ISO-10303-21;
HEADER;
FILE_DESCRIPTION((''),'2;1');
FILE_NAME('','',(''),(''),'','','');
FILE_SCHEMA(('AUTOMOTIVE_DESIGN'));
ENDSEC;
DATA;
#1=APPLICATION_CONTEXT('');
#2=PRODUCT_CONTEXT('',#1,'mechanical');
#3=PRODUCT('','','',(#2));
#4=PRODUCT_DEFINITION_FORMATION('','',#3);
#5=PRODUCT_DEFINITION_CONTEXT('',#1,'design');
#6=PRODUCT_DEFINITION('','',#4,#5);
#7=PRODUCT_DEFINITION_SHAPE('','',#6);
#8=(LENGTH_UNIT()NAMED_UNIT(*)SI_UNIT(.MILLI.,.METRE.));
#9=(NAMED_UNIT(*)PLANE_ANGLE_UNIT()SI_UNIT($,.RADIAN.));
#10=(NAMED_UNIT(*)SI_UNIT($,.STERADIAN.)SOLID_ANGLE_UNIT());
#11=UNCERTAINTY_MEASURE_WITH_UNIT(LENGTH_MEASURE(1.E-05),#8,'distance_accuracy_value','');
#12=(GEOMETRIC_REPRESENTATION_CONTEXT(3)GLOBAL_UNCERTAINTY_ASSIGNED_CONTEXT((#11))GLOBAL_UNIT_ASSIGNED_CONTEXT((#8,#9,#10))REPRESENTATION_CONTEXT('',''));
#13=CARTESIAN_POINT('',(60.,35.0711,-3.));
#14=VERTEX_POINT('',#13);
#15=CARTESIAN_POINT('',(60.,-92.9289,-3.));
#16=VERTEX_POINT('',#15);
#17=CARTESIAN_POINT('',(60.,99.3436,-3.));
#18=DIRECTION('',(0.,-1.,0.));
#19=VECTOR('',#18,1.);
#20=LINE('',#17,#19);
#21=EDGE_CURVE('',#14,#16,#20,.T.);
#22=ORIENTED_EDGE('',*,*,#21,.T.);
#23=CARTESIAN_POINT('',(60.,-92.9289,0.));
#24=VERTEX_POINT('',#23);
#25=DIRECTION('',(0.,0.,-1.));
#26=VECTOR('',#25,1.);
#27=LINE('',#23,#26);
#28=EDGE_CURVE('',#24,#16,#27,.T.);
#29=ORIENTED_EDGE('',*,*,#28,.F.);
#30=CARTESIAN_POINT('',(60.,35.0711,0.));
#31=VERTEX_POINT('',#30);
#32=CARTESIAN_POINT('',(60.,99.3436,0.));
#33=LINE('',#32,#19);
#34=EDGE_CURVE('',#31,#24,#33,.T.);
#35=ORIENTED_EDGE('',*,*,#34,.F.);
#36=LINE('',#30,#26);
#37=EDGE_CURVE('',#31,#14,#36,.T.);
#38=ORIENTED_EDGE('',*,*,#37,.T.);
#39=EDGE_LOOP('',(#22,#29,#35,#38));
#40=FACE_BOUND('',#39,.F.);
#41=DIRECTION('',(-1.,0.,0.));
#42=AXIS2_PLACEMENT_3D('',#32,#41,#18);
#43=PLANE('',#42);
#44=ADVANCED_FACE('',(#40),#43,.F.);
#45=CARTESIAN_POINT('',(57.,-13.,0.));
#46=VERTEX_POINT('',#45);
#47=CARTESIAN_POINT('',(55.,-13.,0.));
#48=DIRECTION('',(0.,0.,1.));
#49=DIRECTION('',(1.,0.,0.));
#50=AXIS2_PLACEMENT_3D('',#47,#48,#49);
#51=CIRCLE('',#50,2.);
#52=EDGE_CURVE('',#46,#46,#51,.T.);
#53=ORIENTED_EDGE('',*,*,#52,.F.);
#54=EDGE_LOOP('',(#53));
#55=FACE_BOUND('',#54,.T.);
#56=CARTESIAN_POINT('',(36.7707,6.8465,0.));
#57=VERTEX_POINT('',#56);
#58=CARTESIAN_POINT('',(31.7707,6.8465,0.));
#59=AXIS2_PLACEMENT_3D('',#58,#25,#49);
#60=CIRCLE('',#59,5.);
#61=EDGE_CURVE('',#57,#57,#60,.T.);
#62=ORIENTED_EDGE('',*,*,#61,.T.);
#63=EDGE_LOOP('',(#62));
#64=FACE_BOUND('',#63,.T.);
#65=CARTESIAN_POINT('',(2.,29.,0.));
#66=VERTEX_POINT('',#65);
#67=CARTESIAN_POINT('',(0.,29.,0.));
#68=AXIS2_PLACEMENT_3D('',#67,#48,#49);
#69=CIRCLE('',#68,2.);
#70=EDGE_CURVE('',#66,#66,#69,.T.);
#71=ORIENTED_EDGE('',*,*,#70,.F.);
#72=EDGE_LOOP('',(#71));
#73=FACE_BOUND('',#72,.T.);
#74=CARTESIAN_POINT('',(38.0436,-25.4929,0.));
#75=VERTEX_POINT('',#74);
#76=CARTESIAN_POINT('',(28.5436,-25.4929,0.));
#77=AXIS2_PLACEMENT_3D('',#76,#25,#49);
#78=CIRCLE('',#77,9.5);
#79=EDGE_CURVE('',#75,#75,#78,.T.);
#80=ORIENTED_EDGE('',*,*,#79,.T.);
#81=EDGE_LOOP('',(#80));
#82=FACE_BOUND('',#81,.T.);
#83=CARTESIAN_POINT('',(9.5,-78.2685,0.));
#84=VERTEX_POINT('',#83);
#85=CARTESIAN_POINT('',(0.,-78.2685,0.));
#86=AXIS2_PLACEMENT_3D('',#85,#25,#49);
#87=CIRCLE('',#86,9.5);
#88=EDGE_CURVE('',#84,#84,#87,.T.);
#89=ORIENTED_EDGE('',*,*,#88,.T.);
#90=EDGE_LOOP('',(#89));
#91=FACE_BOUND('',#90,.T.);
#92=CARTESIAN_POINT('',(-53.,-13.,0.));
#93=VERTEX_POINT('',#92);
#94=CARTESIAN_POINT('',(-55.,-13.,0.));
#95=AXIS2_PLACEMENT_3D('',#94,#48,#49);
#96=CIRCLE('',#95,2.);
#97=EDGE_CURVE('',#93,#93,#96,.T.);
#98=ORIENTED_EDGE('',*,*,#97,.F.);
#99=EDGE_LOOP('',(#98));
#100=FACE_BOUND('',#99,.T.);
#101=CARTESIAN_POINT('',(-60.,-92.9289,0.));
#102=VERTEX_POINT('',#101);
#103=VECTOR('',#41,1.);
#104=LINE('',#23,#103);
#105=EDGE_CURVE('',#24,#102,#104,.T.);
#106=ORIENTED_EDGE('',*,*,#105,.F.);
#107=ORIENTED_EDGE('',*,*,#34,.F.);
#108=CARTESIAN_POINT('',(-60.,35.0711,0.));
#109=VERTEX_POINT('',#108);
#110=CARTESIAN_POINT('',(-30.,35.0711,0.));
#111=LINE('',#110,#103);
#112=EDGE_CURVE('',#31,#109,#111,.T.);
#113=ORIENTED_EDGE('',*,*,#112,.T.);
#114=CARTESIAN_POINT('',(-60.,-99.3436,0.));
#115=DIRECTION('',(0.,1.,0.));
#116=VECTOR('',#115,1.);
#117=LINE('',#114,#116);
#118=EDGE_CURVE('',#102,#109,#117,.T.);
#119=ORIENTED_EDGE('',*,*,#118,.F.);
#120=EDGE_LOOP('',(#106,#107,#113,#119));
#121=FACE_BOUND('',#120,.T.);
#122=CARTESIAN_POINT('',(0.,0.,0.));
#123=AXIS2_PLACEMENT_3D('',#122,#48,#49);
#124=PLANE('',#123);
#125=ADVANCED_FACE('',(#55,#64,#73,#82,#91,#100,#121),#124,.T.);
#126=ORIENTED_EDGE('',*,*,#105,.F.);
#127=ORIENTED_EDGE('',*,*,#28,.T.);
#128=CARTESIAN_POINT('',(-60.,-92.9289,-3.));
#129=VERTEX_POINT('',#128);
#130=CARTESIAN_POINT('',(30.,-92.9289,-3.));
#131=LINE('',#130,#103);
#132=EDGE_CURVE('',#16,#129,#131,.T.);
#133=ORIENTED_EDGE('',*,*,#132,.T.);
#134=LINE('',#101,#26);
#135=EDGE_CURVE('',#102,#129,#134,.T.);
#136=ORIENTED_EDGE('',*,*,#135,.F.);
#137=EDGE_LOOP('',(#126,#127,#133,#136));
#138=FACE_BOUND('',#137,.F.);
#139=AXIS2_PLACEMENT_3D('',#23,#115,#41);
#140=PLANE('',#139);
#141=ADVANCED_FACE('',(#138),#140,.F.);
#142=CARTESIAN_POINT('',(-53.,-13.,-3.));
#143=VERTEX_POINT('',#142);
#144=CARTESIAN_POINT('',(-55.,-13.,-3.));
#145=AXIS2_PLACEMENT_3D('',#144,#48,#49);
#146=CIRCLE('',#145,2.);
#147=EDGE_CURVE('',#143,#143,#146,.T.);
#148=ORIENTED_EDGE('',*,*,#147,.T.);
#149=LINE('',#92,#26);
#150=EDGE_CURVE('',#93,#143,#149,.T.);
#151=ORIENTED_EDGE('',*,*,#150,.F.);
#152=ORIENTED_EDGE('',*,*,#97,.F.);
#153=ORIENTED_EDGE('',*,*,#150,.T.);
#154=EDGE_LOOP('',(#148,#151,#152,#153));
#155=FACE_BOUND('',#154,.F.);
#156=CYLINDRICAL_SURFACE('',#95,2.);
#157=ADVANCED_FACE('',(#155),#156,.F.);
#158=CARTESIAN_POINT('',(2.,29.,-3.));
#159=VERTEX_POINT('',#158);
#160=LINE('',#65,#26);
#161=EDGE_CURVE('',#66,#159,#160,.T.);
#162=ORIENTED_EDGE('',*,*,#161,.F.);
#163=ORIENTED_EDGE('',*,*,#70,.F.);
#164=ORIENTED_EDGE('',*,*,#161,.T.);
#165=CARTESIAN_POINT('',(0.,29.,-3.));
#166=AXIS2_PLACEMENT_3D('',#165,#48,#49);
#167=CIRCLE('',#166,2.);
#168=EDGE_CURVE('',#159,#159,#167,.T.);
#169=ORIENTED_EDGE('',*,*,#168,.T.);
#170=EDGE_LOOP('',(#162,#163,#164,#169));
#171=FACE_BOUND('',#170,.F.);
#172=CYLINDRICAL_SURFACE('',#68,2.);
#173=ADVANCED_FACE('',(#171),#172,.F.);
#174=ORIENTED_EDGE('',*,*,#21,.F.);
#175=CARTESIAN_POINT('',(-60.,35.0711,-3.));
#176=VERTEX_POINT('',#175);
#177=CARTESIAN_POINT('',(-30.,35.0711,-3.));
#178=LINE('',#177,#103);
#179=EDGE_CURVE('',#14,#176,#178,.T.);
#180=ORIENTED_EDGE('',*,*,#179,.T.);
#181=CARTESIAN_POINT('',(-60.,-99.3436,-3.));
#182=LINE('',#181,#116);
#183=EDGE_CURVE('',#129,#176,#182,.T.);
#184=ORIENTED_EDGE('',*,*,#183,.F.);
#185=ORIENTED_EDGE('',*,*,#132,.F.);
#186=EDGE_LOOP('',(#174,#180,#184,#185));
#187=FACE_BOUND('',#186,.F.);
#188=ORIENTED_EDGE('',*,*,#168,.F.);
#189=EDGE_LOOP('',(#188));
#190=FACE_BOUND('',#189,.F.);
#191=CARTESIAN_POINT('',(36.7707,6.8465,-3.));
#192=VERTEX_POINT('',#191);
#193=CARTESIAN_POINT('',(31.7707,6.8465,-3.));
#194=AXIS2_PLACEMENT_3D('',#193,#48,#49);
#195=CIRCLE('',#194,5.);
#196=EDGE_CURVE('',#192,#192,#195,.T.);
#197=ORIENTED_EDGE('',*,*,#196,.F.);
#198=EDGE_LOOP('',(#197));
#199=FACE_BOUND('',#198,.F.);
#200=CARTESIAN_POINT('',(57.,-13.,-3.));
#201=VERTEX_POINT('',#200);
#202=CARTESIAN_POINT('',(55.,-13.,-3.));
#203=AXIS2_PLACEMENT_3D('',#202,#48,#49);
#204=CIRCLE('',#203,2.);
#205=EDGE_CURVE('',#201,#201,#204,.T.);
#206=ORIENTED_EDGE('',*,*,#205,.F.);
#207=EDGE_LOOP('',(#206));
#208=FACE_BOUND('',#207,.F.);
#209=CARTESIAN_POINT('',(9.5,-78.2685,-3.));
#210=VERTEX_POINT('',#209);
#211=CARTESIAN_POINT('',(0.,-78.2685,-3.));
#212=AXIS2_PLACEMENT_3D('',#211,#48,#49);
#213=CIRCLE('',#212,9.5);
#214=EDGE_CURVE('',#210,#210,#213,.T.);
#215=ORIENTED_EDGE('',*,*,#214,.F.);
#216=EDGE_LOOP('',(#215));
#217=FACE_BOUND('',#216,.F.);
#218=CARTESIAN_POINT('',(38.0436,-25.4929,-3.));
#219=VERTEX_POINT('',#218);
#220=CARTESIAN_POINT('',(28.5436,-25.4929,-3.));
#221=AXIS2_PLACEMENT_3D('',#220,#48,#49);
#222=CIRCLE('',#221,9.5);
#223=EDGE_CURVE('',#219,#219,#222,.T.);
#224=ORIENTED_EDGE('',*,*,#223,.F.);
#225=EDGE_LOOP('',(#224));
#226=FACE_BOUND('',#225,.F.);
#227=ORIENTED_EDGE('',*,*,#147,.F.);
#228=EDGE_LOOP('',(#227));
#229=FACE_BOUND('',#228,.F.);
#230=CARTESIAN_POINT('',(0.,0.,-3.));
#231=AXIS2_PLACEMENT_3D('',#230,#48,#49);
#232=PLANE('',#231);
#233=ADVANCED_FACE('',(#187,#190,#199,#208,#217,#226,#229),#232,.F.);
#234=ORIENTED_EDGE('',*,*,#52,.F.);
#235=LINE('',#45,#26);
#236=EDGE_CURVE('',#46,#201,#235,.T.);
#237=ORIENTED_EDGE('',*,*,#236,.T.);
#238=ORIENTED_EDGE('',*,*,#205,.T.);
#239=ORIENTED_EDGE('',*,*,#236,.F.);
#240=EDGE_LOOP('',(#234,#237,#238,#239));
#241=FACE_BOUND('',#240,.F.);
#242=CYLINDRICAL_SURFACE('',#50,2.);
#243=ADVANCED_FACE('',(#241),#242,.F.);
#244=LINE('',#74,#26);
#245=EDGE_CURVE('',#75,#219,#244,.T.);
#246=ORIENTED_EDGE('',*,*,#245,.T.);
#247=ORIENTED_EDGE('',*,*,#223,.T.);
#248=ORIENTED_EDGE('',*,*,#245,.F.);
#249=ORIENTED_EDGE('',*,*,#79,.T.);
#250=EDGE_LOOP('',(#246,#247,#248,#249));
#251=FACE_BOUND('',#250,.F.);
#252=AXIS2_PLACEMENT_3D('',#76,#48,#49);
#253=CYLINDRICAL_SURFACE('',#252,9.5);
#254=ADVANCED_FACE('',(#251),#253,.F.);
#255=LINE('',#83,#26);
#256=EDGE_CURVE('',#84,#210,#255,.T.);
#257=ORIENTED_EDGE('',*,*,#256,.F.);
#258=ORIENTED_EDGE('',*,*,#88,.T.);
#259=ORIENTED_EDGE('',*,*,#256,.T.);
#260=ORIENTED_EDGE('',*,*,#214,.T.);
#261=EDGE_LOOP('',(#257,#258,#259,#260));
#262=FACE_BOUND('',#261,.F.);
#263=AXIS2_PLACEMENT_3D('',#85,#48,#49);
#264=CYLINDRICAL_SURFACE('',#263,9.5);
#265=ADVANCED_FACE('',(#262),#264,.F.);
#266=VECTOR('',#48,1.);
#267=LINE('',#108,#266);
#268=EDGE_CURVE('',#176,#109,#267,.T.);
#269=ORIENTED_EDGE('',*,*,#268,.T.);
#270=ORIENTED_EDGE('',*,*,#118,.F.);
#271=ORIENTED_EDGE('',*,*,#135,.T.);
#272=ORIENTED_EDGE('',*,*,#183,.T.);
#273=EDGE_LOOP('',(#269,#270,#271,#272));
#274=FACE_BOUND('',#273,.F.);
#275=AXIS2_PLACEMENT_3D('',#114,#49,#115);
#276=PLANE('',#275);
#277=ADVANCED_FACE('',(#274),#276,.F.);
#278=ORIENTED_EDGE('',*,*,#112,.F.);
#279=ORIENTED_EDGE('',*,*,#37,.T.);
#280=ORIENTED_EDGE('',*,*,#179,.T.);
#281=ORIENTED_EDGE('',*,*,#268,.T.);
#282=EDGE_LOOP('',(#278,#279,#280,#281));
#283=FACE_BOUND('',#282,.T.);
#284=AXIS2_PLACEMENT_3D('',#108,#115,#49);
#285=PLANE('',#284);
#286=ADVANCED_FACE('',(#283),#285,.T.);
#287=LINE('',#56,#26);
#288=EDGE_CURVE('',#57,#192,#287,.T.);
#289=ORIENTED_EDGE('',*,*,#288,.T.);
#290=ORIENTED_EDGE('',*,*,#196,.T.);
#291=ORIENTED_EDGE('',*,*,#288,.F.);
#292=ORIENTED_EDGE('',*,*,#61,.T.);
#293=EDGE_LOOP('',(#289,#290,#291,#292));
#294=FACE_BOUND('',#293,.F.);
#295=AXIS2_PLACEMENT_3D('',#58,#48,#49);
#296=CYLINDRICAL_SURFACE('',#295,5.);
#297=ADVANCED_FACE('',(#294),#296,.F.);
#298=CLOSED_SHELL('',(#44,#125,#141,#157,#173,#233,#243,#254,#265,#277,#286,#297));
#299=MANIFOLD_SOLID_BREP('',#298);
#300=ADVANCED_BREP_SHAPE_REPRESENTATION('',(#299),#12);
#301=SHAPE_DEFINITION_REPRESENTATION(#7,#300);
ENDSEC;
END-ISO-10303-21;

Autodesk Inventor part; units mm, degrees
ref_plane "YZ Plane" through (0, 0, 0) normal (1, 0, 0) x (0, 1, 0)
ref_plane "XZ Plane" through (0, 0, 0) normal (0, 1, 0) x (-1, 0, 0)
ref_plane "XY Plane" through (0, 0, 0) normal (0, 0, 1) x (1, 0, 0)
sketch "スケッチ3" plane through (0, 0, 0) normal (0, 0, 1) x (1, 0, 0)
  line L0 (60, -99.3436) -> (-60, -99.3436)
  line L1 (-60, -99.3436) -> (-60, 99.3436)
  line L2 (-60, 99.3436) -> (60, 99.3436)
  line L3 (60, 99.3436) -> (60, -99.3436)
  line L4 (60, -99.3436) -> (-60, 99.3436) construction
  line L5 (-60, -99.3436) -> (60, 99.3436) construction
  point P0 (0, 0)
  dimension "d25" = 120
extrude "押し出し1" add sketch "スケッチ3" against normal blind 3
sketch "スケッチ4" plane through (0, 0, 0) normal (0, 0, 1) x (1, 0, 0)
  line L0 (0, 45.0711) -> (68.3595, 45.0711)
  line L1 (68.3595, 45.0711) -> (-74.3824, 45.0711)
  line L2 (-74.3824, 45.0711) -> (108.1656, 45.0711)
  line L3 (108.1656, 45.0711) -> (108.1656, 129.4154)
  line L4 (108.1656, 129.4154) -> (-74.3824, 129.4154)
  line L5 (-74.3824, 129.4154) -> (-74.3824, 45.0711)
  point P0 (0, 0)
extrude "押し出し4" cut sketch "スケッチ4" against normal blind 10
sketch "スケッチ13" plane through (0, 0, 0) normal (0, 0, 1) x (1, 0, 0)
  circle A0 centre (0, 0) radius 7.5
  circle A1 centre (0, 0) radius 32.5
  circle A2 centre (31.7707, 6.8465) radius 25
  circle A3 centre (31.7707, 6.8465) radius 7.5
  circle A4 centre (31.7707, 6.8465) radius 32.5
  circle A5 centre (28.5436, -25.4929) radius 25
  circle A6 centre (28.5436, -25.4929) radius 20
  circle A7 centre (28.5436, -25.4929) radius 60
  circle A8 centre (0, -78.2685) radius 40
  circle A9 centre (0, -78.2685) radius 50
  circle A10 centre (31.7707, 6.8465) radius 5
  circle A11 centre (28.5436, -25.4929) radius 9.5
  circle A12 centre (0, -78.2685) radius 9.5
  dimension "d87" = 65
  dimension "d89" = 65
  dimension "d91" = 120
  dimension "d86" = 15
  dimension "d88" = 15
  dimension "d90" = 40
  dimension "d92" = 100
  dimension "d96" = 10
  dimension "d97" = 19
  dimension "d98" = 19
extrude "押し出し16" cut sketch "スケッチ13" against normal blind 10 contours A10 A1 | A1 A10 | A11 A1 A2 | A2 A1 A4 A11 | A4 A1 A11 | A2 A11 A4 A1 | A1 A11 A2 | A4 A11 A1 | A12 A7 | A7 A12
sketch "スケッチ14" plane through (0, 0, 0) normal (0, 0, 1) x (1, 0, 0)
  point P0 (0, 0)
sketch "スケッチ15" plane through (0, 0, 0) normal (0, 0, 1) x (1, 0, 0)
  line L0 (-60, -99.3436) -> (-60, 45.0711) projected
  line L1 (60, 45.0711) -> (60, -99.3436) projected
  line L2 (-60, 45.0711) -> (60, 45.0711)
  line L3 (60, 45.0711) -> (60, -92.9289)
  line L4 (60, -92.9289) -> (-60, -92.9289)
  line L5 (-60, -92.9289) -> (-60, 45.0711)
  point P0 (0, 0)
  dimension "d101" = 138
extrude "押し出し17" cut sketch "スケッチ15" against normal blind 10 keep common part
sketch "スケッチ16" plane through (-60, 45.0711, 0) normal (0, 1, 0) x (1, 0, 0)
  line L0 (-11.4218, 21.1899) -> (145.405, 21.1899)
  line L1 (145.405, 21.1899) -> (145.405, -40.3361)
  line L2 (145.405, -40.3361) -> (-11.4218, -40.3361)
  line L3 (-11.4218, -40.3361) -> (-11.4218, 21.1899)
  point P0 (60, 0)
extrude "押し出し18" cut sketch "スケッチ16" against normal blind 10
sketch "スケッチ17" plane through (0, 0, 0) normal (0, 0, 1) x (1, 0, 0)
  circle A0 centre (31.7707, 6.8465) radius 5
  circle A1 centre (31.7707, 6.8465) radius 25
  circle A2 centre (28.5436, -25.4929) radius 9.5
  circle A3 centre (28.5436, -25.4929) radius 25
  circle A4 centre (55, -13) radius 2
  circle A5 centre (-55, -13) radius 2
  circle A6 centre (0, 29) radius 2
  point P0 (0, 0)
  point P1 (0, 0)
  dimension "d106" = 50
  dimension "d107" = 50
  dimension "d108" = 4
  dimension "d109" = 4
  dimension "d110" = 4
extrude "押し出し19" cut sketch "スケッチ17" against normal blind 10 contours A4 | A5 | A6
properties part number "板2" material "アルミニウム 6061"
